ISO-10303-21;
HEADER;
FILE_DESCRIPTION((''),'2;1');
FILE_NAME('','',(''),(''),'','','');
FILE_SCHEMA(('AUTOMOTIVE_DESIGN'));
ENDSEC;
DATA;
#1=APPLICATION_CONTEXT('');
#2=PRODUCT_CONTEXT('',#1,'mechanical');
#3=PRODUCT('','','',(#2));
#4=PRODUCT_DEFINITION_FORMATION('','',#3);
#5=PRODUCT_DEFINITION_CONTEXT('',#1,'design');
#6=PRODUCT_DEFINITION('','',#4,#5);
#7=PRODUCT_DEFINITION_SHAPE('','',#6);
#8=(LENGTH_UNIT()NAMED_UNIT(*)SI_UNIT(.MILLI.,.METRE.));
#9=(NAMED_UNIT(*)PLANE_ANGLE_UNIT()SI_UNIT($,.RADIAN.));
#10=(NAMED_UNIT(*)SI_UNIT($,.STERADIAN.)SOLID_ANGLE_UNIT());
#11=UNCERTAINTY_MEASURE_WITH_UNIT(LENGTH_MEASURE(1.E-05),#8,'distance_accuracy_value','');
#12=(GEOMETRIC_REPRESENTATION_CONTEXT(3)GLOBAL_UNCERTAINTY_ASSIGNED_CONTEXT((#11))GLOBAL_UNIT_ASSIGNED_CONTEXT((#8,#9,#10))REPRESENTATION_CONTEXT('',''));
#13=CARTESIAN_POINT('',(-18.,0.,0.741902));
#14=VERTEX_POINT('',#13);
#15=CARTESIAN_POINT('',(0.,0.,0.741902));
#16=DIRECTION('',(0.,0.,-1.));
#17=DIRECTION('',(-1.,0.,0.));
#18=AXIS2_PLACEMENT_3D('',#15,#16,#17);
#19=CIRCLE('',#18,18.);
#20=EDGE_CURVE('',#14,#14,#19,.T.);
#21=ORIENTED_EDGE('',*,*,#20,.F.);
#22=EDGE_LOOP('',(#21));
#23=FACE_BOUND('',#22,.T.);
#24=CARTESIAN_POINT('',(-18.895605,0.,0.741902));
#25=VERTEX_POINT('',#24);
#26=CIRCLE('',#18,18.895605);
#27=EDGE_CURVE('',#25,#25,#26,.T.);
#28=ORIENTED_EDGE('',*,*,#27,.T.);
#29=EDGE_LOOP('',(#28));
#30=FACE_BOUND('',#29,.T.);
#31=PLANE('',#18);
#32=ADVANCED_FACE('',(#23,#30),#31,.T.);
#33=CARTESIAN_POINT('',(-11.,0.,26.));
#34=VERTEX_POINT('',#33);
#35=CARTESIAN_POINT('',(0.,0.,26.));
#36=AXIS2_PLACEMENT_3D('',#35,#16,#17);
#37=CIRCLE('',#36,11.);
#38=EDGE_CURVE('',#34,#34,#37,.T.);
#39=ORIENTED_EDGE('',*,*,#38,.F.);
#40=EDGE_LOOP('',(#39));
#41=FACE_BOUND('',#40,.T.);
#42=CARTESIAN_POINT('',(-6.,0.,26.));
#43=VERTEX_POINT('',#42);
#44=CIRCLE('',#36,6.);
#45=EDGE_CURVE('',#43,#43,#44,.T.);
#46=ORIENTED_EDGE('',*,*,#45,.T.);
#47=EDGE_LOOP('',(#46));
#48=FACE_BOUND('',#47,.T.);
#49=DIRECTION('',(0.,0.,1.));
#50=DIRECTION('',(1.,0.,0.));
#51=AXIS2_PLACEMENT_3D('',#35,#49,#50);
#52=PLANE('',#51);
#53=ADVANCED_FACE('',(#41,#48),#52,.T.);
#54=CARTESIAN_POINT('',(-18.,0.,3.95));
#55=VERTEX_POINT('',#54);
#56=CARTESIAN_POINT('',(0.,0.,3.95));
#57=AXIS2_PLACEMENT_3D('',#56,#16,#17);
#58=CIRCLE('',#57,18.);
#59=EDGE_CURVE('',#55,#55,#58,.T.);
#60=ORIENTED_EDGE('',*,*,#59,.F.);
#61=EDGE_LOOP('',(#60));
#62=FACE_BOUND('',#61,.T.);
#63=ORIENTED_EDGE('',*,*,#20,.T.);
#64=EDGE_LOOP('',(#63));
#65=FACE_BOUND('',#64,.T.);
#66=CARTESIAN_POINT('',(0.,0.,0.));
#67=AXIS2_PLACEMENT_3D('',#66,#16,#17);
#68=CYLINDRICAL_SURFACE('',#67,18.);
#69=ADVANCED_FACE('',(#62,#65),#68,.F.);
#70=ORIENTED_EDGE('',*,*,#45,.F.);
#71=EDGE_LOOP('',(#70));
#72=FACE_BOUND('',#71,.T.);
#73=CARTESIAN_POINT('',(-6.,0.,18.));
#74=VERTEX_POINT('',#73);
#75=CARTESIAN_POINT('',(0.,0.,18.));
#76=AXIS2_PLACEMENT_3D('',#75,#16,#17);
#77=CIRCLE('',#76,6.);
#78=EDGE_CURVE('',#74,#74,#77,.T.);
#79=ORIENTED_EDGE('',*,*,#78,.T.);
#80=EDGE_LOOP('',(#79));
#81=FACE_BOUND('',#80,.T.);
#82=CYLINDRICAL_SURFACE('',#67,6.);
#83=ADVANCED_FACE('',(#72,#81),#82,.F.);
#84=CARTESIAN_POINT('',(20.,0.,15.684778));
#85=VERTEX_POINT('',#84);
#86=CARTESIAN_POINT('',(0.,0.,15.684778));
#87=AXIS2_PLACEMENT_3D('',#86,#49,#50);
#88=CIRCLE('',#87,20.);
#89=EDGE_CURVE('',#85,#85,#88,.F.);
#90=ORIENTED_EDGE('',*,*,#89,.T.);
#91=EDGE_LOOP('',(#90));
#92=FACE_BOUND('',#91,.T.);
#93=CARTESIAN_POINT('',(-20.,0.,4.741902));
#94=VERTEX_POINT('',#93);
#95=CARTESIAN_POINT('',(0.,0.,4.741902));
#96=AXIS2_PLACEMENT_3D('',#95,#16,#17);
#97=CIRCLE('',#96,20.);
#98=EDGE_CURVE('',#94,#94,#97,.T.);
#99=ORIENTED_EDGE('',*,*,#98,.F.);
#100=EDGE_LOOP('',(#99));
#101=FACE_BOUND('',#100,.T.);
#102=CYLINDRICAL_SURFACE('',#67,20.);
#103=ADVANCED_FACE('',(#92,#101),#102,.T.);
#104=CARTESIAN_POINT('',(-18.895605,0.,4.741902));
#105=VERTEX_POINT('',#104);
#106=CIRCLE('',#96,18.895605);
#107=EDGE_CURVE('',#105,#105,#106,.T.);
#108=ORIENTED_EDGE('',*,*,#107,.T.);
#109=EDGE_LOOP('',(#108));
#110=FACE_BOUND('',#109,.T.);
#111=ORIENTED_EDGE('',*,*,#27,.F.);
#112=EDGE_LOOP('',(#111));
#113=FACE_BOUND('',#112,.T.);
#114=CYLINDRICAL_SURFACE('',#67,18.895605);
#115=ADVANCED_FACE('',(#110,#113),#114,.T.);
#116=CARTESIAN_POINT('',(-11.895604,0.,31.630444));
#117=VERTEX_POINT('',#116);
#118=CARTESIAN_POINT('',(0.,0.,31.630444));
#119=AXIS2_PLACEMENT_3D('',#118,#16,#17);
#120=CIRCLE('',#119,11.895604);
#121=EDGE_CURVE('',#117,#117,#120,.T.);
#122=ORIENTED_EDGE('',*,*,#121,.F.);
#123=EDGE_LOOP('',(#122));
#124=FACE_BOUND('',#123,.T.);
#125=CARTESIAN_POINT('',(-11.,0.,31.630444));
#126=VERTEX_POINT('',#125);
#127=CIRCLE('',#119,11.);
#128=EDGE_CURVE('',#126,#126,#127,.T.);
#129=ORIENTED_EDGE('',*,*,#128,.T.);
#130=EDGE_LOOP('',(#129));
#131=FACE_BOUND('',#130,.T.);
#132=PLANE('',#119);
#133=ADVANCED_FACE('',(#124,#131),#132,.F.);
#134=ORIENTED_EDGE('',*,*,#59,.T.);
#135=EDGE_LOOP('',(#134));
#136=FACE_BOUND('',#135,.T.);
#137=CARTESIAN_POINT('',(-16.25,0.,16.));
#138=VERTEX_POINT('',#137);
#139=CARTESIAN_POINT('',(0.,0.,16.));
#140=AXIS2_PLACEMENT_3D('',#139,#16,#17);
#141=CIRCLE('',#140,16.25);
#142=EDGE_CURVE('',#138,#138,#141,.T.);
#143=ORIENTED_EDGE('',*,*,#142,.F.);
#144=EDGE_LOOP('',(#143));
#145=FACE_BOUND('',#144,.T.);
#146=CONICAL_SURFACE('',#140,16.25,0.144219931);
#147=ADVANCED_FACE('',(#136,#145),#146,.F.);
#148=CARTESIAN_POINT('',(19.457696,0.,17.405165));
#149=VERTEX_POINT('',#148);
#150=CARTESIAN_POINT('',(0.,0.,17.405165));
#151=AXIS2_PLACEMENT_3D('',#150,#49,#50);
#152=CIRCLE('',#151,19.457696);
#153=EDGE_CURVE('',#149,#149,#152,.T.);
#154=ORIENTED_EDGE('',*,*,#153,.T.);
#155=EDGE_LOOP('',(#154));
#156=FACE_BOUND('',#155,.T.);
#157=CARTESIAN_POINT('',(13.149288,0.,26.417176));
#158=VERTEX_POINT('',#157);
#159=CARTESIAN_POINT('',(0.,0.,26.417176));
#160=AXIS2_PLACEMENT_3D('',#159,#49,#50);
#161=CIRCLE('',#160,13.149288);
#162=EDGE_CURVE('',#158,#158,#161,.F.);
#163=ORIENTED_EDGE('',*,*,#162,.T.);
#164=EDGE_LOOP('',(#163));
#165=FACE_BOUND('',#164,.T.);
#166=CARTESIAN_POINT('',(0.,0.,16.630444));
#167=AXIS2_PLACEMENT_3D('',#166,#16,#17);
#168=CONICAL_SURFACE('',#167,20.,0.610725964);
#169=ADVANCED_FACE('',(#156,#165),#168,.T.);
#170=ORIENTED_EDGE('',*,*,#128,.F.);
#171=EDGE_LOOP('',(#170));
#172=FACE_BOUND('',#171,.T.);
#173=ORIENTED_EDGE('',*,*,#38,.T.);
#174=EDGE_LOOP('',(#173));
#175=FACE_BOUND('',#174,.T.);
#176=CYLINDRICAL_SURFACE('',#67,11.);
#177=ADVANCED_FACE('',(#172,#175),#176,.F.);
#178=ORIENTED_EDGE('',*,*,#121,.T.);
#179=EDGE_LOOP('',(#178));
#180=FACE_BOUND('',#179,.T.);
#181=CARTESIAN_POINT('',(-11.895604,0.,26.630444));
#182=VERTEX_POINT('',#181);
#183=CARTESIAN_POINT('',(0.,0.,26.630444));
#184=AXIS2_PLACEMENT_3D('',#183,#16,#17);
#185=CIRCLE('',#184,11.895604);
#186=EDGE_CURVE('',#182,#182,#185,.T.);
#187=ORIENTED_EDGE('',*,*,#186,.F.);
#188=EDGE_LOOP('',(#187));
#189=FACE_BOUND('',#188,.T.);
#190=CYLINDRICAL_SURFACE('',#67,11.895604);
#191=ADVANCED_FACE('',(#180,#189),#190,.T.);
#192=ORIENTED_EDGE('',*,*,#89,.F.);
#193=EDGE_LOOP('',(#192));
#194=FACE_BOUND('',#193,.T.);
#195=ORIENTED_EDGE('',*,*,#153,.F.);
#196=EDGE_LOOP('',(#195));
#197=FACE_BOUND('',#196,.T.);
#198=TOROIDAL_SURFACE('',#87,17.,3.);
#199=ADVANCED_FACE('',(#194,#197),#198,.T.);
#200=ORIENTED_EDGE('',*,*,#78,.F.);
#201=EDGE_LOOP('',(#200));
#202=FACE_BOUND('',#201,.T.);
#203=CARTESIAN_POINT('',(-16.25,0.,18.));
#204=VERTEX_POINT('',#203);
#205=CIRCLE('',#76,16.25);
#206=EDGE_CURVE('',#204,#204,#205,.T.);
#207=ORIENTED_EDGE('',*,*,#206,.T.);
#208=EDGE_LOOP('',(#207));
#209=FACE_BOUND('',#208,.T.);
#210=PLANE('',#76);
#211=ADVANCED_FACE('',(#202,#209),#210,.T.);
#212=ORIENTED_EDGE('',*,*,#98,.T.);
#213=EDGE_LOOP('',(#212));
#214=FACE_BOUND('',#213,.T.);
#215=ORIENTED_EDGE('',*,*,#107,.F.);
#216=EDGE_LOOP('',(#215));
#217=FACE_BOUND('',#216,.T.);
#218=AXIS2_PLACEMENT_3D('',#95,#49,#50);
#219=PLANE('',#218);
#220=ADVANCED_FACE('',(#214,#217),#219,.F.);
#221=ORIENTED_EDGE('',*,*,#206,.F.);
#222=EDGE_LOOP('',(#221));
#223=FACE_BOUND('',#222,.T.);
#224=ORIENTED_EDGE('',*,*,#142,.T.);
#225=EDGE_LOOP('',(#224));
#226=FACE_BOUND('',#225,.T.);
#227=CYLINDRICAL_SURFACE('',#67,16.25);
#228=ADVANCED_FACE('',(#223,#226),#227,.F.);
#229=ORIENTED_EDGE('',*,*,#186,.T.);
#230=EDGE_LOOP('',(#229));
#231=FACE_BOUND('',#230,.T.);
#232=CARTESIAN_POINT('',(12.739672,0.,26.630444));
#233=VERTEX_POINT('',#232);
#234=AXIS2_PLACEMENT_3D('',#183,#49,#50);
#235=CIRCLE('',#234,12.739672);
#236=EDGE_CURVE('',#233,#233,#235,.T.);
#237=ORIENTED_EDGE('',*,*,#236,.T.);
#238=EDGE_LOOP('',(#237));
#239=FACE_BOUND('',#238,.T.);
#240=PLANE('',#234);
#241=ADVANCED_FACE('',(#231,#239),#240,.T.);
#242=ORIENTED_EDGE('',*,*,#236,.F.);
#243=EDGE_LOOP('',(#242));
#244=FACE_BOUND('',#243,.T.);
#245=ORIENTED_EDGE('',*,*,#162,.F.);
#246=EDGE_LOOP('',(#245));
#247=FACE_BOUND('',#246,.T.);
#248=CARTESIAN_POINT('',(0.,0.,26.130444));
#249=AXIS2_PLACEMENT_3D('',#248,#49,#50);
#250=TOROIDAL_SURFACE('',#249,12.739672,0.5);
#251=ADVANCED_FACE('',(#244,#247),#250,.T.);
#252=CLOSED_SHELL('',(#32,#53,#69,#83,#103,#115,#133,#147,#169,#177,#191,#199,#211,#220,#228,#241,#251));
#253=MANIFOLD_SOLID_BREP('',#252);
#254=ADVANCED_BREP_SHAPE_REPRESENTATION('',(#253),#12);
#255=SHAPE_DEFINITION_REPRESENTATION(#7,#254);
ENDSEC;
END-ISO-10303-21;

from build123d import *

# Parameters (mm, degrees)
FILLET1_R = 3
FILLET2_R = 0.5


with BuildPart() as part:
    # base-sketch-2 → Revolve1 (revolve)
    with BuildSketch(Plane(origin=(0, 0, 0), x_dir=(1, 0, 0), z_dir=(0, 1, 0)), mode=Mode.PRIVATE) as revolve1_sk:
        Polygon((11, -26), (16.6, -18), (16.25, -18), (6, -18), (6, -26), align=None)
        Polygon((18.8956045, -0.741902481), (18, -0.741902481), (18, -3.95), (18, -16), (16.6, -18), (11, -26), (11, -31.630444462), (11.8956045, -31.630444462), (11.8956045, -26.630444462), (13, -26.630444462), (20, -16.630444462), (20, -4.741902481), (18.8956045, -4.741902481), align=None)
        Polygon((18, -16), (18, -3.95), (16.25, -16), (16.25, -18), (16.6, -18), align=None)
    revolve(revolve1_sk.sketch.rotate(Axis((0, 0, 0), (0, 0, 1)), 180), axis=Axis((0, 0, 0), (0, 0, 1)))

    # Fillet1
    fillet1_edges = [part.edges().sort_by_distance(p)[0] for p in [
        (20, 0, 16.630444462),
    ]]
    fillet(fillet1_edges, radius=FILLET1_R)

    # Fillet2
    fillet2_edges = [part.edges().sort_by_distance(p)[0] for p in [
        (13, 0, 26.630444462),
    ]]
    fillet(fillet2_edges, radius=FILLET2_R)


solid = part.part
